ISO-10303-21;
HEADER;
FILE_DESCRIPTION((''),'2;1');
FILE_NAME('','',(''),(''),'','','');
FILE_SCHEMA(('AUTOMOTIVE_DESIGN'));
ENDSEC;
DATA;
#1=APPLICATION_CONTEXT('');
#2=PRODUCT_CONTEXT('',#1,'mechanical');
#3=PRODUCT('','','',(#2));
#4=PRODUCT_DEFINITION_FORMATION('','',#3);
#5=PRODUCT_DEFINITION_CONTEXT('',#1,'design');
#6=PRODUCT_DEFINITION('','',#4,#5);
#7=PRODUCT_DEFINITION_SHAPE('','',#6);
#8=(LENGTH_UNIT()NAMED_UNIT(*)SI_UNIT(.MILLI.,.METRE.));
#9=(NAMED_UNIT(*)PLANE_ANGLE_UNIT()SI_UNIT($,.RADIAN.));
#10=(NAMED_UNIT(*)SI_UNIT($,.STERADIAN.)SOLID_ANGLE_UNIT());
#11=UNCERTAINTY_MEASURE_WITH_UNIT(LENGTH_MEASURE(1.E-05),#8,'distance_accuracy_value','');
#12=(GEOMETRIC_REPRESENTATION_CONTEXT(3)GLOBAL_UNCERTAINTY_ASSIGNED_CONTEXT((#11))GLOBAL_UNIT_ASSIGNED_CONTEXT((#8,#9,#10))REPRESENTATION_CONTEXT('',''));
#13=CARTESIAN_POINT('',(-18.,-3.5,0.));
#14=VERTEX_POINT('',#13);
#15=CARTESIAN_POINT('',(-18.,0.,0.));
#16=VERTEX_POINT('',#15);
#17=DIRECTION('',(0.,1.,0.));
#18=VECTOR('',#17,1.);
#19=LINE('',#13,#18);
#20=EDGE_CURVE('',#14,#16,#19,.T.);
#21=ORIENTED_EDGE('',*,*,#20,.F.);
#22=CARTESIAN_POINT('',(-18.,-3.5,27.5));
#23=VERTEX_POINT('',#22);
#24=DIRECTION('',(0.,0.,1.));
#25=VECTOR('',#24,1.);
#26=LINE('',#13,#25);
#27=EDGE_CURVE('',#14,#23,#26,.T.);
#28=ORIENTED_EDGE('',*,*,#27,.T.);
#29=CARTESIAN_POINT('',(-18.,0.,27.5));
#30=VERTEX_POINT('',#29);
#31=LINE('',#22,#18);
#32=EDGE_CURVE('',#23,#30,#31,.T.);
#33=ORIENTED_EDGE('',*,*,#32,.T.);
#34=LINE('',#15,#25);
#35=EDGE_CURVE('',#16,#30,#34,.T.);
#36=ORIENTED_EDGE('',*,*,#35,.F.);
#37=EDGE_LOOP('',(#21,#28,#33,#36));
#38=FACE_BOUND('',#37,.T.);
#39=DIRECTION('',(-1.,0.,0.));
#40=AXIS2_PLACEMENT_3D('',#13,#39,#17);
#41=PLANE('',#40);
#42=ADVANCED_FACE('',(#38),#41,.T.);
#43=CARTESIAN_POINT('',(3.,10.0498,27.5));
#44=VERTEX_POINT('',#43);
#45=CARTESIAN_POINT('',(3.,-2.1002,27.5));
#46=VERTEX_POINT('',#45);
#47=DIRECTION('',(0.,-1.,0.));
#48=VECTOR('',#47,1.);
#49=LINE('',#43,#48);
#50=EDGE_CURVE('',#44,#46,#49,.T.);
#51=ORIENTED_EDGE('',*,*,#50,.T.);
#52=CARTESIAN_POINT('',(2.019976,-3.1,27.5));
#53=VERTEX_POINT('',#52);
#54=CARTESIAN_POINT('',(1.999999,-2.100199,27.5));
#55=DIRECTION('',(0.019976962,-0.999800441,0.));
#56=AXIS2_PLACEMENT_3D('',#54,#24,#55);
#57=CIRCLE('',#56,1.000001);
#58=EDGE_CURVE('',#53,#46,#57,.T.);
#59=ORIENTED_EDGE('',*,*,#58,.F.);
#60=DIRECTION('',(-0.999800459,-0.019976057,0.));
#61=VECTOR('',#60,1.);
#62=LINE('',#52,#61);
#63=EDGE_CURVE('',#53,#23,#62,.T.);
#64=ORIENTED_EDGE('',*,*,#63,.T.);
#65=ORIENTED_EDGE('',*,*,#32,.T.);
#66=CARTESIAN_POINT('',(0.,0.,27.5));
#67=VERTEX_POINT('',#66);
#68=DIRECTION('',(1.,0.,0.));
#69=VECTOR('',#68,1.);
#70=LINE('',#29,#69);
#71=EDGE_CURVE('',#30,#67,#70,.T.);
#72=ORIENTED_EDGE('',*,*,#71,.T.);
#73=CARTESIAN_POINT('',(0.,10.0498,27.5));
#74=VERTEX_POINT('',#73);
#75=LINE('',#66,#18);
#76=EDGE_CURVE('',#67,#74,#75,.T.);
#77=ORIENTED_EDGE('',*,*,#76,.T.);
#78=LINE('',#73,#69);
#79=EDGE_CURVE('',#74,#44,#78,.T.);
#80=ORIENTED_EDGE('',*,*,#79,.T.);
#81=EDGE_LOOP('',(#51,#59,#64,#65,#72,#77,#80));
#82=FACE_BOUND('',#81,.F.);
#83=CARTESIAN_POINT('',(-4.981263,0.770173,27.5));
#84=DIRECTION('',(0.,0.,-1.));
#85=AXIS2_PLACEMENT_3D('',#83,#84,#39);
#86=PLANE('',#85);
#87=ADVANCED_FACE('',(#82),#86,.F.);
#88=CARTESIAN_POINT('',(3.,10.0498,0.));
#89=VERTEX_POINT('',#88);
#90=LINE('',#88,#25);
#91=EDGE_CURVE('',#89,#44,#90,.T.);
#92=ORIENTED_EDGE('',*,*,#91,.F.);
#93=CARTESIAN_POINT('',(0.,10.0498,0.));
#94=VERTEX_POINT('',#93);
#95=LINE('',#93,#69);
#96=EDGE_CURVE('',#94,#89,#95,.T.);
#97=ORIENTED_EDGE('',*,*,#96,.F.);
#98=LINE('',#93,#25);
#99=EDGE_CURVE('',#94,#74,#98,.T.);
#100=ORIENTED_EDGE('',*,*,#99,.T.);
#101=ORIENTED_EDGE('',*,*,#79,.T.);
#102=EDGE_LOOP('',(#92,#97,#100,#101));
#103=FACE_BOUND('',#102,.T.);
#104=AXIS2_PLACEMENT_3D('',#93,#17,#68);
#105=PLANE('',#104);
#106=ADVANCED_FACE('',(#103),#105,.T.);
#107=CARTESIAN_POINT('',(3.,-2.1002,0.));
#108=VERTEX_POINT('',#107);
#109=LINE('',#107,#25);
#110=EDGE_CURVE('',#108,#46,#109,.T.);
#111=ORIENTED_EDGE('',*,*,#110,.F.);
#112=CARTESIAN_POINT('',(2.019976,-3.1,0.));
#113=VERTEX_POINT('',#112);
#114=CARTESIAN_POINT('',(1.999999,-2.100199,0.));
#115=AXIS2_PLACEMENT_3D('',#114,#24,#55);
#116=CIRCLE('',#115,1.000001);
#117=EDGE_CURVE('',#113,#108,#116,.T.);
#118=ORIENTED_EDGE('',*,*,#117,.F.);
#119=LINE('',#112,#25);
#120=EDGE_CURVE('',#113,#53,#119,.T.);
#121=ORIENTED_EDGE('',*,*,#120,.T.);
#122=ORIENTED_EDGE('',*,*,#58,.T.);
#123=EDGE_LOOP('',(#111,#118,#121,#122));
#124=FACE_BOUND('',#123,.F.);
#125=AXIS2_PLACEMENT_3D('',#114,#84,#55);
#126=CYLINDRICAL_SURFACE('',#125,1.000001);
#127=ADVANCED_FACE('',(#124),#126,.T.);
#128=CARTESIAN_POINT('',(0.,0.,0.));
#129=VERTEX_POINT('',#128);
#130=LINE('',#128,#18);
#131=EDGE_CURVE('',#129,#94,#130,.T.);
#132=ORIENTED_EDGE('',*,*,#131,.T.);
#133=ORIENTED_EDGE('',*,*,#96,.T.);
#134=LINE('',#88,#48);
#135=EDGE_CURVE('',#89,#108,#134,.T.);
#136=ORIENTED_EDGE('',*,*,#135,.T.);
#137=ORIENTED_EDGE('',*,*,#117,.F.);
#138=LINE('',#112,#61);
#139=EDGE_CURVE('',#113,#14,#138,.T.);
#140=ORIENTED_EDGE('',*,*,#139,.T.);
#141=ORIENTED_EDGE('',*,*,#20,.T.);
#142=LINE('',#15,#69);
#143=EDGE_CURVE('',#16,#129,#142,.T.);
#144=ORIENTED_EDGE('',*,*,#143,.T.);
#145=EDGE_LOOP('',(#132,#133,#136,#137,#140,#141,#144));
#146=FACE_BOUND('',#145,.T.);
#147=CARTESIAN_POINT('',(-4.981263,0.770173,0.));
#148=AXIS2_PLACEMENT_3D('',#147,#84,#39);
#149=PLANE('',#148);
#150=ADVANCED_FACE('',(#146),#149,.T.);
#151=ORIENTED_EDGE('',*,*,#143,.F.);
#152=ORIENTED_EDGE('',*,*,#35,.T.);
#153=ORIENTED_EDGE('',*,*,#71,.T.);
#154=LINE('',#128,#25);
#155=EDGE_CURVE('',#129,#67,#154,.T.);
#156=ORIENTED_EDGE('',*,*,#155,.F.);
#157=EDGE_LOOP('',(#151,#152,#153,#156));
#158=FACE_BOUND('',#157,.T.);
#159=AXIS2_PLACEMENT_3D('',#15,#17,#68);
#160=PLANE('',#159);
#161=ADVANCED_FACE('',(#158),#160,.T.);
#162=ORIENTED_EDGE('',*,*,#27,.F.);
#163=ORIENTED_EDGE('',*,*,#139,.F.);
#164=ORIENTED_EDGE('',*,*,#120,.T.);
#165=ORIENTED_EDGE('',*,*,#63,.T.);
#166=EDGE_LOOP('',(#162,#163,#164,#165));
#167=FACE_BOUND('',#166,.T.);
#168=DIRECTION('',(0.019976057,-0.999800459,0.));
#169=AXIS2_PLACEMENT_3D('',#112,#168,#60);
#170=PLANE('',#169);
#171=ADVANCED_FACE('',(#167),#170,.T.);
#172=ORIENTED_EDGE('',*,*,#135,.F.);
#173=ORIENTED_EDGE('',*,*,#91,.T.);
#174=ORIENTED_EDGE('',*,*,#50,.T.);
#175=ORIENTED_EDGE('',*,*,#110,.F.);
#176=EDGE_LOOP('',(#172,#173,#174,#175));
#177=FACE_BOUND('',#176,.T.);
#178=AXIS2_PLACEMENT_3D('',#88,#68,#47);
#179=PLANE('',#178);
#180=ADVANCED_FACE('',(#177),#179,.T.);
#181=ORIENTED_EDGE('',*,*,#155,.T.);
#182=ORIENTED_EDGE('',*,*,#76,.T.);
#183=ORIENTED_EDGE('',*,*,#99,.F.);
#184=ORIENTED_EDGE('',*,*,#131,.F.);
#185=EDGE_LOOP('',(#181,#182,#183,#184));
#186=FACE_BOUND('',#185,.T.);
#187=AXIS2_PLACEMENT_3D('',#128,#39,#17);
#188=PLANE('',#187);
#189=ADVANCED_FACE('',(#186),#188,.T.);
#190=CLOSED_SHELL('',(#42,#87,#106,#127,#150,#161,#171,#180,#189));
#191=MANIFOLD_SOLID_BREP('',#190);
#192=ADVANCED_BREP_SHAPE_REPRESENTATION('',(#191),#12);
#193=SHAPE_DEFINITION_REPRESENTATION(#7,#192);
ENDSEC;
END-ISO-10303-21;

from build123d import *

# Parameters (mm, degrees)
PAD_DEPTH = 27.5


with BuildPart() as part:
    # Sketch → Pad (new body)
    with BuildSketch(Plane.XY):
        with BuildLine():
            Line((0, 0), (0, 10.0498))
            Line((0, 10.0498), (3, 10.0498))
            Line((3, 10.0498), (3, -2.1002))
            ThreePointArc((2.019976, -3.1), (2.714134, -2.800208), (3, -2.1002))
            Line((2.019976, -3.1), (-18, -3.5))
            Line((-18, -3.5), (-18, 0))
            Line((-18, 0), (0, 0))
        make_face()
    extrude(amount=PAD_DEPTH)


solid = part.part
